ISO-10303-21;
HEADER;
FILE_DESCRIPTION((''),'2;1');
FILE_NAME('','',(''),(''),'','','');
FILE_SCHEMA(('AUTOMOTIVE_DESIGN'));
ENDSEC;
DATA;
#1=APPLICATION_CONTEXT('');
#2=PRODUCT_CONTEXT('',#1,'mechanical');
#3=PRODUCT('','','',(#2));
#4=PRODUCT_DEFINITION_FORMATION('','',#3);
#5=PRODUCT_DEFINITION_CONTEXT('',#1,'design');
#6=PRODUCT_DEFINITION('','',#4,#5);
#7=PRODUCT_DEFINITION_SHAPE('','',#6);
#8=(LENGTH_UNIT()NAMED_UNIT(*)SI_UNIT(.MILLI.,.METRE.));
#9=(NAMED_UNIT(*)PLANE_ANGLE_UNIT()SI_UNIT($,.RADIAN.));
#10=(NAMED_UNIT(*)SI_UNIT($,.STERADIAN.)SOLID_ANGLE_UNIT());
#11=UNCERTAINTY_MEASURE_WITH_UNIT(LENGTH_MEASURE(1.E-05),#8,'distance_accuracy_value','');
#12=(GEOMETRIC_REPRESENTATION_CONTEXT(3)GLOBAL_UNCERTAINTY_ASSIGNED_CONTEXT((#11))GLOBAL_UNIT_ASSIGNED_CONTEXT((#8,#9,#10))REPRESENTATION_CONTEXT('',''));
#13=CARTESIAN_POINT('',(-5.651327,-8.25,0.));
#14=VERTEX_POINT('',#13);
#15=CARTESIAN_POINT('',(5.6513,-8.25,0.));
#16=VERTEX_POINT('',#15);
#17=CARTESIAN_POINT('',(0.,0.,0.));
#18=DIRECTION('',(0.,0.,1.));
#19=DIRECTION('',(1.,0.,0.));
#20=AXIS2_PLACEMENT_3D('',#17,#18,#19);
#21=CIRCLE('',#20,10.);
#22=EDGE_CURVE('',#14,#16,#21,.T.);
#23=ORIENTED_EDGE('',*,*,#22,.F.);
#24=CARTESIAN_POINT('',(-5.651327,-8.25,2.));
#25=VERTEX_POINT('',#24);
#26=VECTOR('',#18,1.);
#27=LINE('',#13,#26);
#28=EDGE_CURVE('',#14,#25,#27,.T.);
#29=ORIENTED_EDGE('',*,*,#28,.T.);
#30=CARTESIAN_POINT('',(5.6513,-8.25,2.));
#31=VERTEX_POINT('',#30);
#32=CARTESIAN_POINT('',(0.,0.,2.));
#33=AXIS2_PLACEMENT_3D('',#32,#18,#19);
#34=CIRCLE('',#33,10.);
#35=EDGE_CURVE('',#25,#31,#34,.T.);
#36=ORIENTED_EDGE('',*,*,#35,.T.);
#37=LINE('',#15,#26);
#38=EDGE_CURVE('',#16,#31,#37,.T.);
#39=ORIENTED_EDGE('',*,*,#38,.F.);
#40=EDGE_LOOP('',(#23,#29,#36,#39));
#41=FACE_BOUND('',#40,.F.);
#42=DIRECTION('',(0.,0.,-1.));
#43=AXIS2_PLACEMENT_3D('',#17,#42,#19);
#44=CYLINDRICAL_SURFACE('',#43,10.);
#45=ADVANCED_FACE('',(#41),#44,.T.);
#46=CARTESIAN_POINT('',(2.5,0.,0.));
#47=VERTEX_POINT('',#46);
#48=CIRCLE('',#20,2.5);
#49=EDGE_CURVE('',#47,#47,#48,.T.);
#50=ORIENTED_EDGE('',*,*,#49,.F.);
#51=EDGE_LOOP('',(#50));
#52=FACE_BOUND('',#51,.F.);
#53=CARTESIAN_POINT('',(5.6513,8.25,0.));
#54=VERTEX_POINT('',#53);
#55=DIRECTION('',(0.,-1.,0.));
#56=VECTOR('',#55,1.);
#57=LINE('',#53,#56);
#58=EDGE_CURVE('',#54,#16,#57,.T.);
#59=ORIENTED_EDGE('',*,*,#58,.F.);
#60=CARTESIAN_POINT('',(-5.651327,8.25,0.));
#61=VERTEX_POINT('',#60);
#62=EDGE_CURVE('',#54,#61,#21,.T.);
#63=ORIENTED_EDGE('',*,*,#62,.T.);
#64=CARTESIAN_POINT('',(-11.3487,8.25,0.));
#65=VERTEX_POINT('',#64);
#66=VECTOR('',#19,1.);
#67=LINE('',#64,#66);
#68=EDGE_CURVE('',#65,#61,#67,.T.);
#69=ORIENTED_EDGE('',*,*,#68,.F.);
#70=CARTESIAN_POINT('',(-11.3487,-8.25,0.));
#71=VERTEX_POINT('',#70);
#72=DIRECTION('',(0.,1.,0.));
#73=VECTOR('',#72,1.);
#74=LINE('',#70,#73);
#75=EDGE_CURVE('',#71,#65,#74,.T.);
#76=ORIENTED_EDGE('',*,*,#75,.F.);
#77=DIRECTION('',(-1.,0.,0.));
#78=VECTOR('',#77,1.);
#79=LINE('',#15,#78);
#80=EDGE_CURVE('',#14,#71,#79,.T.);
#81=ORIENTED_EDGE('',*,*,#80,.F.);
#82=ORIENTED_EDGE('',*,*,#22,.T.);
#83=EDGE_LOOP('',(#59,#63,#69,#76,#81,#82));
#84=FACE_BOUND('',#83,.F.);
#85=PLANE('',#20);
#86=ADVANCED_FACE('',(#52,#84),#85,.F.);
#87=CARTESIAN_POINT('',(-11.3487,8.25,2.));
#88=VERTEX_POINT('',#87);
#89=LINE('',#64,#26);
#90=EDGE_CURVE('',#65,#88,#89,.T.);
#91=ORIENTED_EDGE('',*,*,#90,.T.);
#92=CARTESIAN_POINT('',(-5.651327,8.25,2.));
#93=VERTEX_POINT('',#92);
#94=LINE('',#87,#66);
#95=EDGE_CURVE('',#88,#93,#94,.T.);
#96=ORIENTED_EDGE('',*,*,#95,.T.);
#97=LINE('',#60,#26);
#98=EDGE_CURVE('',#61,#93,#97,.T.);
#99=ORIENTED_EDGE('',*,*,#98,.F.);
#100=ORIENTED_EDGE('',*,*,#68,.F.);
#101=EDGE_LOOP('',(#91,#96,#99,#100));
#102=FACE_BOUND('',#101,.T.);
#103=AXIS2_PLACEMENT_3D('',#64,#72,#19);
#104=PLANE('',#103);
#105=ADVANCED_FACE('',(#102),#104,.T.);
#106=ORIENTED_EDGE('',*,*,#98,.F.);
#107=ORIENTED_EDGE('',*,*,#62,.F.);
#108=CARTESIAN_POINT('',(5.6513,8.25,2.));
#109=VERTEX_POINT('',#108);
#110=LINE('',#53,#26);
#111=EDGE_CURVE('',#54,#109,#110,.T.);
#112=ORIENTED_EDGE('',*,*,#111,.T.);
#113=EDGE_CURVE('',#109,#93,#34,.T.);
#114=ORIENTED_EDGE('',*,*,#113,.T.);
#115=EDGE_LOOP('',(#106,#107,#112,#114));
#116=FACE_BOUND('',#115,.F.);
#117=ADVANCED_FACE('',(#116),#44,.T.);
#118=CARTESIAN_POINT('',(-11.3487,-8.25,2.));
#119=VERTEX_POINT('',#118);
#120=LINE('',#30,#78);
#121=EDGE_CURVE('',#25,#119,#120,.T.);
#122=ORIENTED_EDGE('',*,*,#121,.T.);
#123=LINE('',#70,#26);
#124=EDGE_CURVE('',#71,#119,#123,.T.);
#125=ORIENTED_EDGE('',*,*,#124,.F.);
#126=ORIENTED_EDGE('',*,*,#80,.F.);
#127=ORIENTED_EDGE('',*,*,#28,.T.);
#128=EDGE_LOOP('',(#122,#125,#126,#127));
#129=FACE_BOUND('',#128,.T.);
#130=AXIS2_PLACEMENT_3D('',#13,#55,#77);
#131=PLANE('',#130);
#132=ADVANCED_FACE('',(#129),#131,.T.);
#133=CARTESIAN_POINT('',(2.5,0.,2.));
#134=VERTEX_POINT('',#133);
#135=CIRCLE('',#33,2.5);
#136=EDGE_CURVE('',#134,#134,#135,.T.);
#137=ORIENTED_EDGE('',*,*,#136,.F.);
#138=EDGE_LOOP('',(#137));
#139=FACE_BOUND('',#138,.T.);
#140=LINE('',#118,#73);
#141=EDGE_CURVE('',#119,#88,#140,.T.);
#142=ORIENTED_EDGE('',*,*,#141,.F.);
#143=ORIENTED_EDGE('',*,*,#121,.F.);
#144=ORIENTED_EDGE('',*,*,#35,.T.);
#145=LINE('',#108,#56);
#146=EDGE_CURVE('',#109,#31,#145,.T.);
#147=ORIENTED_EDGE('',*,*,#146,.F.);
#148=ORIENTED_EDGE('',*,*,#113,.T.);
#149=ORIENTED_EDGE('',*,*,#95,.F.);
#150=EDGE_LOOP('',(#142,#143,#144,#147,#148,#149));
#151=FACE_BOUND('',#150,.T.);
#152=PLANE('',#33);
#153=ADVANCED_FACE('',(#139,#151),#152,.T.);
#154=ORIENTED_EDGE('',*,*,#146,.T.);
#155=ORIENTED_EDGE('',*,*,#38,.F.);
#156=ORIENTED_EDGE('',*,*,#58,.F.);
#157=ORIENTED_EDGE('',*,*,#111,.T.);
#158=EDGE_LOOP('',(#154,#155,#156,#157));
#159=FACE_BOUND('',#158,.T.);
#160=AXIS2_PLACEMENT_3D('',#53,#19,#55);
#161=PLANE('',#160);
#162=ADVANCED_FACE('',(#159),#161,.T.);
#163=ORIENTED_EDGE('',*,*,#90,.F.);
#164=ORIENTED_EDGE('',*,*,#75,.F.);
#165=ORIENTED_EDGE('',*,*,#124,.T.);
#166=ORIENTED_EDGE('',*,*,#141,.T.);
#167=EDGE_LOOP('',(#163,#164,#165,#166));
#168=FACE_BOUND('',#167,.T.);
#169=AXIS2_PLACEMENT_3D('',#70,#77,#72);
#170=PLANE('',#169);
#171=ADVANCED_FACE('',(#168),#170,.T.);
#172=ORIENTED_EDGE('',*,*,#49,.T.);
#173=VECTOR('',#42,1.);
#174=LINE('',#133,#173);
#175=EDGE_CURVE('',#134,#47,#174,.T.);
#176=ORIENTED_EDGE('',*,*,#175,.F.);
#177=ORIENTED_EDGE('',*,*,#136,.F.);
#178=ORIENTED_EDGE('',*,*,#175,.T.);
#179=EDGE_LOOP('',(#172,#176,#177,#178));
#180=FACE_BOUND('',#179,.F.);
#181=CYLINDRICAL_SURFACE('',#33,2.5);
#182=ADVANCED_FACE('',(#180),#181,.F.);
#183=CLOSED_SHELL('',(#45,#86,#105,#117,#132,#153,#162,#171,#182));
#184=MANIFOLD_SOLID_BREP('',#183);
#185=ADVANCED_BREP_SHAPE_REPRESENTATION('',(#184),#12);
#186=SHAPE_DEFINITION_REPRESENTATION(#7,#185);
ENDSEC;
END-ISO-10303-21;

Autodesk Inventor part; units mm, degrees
ref_plane "YZ Plane" through (0, 0, 0) normal (1, 0, 0) x (0, 1, 0)
ref_plane "XZ Plane" through (0, 0, 0) normal (0, 1, 0) x (-1, 0, 0)
ref_plane "XY Plane" through (0, 0, 0) normal (0, 0, 1) x (1, 0, 0)
sketch "スケッチ1" plane through (0, 0, 0) normal (0, 0, 1) x (1, 0, 0)
  circle A0 centre (0, 0) radius 10
  line L0 (-11.3487, 8.25) -> (5.6513, 8.25)
  line L1 (5.6513, 8.25) -> (5.6513, -8.25)
  line L2 (5.6513, -8.25) -> (-11.3487, -8.25)
  line L3 (-11.3487, -8.25) -> (-11.3487, 8.25)
  point P0 (5.6513, 0)
  point P1 (-5.6513, 8.25)
  point P2 (-5.6513, -8.25)
  dimension "d0" = 20
  dimension "d1" = 16.5
  dimension "d2" = 17
extrude "押し出し1" add sketch "スケッチ1" along normal blind 2 contours L0 A0 | L1 L2 A0 L0 | A0 L2 | A0 L2 L3 L0
sketch "スケッチ2" plane through (0, 0, 2) normal (0, 0, 1) x (1, 0, 0)
  circle A0 centre (0, 0) radius 2.5
  dimension "d5" = 5
extrude "押し出し2" cut sketch "スケッチ2" against normal blind 2
properties part number "encoder"
